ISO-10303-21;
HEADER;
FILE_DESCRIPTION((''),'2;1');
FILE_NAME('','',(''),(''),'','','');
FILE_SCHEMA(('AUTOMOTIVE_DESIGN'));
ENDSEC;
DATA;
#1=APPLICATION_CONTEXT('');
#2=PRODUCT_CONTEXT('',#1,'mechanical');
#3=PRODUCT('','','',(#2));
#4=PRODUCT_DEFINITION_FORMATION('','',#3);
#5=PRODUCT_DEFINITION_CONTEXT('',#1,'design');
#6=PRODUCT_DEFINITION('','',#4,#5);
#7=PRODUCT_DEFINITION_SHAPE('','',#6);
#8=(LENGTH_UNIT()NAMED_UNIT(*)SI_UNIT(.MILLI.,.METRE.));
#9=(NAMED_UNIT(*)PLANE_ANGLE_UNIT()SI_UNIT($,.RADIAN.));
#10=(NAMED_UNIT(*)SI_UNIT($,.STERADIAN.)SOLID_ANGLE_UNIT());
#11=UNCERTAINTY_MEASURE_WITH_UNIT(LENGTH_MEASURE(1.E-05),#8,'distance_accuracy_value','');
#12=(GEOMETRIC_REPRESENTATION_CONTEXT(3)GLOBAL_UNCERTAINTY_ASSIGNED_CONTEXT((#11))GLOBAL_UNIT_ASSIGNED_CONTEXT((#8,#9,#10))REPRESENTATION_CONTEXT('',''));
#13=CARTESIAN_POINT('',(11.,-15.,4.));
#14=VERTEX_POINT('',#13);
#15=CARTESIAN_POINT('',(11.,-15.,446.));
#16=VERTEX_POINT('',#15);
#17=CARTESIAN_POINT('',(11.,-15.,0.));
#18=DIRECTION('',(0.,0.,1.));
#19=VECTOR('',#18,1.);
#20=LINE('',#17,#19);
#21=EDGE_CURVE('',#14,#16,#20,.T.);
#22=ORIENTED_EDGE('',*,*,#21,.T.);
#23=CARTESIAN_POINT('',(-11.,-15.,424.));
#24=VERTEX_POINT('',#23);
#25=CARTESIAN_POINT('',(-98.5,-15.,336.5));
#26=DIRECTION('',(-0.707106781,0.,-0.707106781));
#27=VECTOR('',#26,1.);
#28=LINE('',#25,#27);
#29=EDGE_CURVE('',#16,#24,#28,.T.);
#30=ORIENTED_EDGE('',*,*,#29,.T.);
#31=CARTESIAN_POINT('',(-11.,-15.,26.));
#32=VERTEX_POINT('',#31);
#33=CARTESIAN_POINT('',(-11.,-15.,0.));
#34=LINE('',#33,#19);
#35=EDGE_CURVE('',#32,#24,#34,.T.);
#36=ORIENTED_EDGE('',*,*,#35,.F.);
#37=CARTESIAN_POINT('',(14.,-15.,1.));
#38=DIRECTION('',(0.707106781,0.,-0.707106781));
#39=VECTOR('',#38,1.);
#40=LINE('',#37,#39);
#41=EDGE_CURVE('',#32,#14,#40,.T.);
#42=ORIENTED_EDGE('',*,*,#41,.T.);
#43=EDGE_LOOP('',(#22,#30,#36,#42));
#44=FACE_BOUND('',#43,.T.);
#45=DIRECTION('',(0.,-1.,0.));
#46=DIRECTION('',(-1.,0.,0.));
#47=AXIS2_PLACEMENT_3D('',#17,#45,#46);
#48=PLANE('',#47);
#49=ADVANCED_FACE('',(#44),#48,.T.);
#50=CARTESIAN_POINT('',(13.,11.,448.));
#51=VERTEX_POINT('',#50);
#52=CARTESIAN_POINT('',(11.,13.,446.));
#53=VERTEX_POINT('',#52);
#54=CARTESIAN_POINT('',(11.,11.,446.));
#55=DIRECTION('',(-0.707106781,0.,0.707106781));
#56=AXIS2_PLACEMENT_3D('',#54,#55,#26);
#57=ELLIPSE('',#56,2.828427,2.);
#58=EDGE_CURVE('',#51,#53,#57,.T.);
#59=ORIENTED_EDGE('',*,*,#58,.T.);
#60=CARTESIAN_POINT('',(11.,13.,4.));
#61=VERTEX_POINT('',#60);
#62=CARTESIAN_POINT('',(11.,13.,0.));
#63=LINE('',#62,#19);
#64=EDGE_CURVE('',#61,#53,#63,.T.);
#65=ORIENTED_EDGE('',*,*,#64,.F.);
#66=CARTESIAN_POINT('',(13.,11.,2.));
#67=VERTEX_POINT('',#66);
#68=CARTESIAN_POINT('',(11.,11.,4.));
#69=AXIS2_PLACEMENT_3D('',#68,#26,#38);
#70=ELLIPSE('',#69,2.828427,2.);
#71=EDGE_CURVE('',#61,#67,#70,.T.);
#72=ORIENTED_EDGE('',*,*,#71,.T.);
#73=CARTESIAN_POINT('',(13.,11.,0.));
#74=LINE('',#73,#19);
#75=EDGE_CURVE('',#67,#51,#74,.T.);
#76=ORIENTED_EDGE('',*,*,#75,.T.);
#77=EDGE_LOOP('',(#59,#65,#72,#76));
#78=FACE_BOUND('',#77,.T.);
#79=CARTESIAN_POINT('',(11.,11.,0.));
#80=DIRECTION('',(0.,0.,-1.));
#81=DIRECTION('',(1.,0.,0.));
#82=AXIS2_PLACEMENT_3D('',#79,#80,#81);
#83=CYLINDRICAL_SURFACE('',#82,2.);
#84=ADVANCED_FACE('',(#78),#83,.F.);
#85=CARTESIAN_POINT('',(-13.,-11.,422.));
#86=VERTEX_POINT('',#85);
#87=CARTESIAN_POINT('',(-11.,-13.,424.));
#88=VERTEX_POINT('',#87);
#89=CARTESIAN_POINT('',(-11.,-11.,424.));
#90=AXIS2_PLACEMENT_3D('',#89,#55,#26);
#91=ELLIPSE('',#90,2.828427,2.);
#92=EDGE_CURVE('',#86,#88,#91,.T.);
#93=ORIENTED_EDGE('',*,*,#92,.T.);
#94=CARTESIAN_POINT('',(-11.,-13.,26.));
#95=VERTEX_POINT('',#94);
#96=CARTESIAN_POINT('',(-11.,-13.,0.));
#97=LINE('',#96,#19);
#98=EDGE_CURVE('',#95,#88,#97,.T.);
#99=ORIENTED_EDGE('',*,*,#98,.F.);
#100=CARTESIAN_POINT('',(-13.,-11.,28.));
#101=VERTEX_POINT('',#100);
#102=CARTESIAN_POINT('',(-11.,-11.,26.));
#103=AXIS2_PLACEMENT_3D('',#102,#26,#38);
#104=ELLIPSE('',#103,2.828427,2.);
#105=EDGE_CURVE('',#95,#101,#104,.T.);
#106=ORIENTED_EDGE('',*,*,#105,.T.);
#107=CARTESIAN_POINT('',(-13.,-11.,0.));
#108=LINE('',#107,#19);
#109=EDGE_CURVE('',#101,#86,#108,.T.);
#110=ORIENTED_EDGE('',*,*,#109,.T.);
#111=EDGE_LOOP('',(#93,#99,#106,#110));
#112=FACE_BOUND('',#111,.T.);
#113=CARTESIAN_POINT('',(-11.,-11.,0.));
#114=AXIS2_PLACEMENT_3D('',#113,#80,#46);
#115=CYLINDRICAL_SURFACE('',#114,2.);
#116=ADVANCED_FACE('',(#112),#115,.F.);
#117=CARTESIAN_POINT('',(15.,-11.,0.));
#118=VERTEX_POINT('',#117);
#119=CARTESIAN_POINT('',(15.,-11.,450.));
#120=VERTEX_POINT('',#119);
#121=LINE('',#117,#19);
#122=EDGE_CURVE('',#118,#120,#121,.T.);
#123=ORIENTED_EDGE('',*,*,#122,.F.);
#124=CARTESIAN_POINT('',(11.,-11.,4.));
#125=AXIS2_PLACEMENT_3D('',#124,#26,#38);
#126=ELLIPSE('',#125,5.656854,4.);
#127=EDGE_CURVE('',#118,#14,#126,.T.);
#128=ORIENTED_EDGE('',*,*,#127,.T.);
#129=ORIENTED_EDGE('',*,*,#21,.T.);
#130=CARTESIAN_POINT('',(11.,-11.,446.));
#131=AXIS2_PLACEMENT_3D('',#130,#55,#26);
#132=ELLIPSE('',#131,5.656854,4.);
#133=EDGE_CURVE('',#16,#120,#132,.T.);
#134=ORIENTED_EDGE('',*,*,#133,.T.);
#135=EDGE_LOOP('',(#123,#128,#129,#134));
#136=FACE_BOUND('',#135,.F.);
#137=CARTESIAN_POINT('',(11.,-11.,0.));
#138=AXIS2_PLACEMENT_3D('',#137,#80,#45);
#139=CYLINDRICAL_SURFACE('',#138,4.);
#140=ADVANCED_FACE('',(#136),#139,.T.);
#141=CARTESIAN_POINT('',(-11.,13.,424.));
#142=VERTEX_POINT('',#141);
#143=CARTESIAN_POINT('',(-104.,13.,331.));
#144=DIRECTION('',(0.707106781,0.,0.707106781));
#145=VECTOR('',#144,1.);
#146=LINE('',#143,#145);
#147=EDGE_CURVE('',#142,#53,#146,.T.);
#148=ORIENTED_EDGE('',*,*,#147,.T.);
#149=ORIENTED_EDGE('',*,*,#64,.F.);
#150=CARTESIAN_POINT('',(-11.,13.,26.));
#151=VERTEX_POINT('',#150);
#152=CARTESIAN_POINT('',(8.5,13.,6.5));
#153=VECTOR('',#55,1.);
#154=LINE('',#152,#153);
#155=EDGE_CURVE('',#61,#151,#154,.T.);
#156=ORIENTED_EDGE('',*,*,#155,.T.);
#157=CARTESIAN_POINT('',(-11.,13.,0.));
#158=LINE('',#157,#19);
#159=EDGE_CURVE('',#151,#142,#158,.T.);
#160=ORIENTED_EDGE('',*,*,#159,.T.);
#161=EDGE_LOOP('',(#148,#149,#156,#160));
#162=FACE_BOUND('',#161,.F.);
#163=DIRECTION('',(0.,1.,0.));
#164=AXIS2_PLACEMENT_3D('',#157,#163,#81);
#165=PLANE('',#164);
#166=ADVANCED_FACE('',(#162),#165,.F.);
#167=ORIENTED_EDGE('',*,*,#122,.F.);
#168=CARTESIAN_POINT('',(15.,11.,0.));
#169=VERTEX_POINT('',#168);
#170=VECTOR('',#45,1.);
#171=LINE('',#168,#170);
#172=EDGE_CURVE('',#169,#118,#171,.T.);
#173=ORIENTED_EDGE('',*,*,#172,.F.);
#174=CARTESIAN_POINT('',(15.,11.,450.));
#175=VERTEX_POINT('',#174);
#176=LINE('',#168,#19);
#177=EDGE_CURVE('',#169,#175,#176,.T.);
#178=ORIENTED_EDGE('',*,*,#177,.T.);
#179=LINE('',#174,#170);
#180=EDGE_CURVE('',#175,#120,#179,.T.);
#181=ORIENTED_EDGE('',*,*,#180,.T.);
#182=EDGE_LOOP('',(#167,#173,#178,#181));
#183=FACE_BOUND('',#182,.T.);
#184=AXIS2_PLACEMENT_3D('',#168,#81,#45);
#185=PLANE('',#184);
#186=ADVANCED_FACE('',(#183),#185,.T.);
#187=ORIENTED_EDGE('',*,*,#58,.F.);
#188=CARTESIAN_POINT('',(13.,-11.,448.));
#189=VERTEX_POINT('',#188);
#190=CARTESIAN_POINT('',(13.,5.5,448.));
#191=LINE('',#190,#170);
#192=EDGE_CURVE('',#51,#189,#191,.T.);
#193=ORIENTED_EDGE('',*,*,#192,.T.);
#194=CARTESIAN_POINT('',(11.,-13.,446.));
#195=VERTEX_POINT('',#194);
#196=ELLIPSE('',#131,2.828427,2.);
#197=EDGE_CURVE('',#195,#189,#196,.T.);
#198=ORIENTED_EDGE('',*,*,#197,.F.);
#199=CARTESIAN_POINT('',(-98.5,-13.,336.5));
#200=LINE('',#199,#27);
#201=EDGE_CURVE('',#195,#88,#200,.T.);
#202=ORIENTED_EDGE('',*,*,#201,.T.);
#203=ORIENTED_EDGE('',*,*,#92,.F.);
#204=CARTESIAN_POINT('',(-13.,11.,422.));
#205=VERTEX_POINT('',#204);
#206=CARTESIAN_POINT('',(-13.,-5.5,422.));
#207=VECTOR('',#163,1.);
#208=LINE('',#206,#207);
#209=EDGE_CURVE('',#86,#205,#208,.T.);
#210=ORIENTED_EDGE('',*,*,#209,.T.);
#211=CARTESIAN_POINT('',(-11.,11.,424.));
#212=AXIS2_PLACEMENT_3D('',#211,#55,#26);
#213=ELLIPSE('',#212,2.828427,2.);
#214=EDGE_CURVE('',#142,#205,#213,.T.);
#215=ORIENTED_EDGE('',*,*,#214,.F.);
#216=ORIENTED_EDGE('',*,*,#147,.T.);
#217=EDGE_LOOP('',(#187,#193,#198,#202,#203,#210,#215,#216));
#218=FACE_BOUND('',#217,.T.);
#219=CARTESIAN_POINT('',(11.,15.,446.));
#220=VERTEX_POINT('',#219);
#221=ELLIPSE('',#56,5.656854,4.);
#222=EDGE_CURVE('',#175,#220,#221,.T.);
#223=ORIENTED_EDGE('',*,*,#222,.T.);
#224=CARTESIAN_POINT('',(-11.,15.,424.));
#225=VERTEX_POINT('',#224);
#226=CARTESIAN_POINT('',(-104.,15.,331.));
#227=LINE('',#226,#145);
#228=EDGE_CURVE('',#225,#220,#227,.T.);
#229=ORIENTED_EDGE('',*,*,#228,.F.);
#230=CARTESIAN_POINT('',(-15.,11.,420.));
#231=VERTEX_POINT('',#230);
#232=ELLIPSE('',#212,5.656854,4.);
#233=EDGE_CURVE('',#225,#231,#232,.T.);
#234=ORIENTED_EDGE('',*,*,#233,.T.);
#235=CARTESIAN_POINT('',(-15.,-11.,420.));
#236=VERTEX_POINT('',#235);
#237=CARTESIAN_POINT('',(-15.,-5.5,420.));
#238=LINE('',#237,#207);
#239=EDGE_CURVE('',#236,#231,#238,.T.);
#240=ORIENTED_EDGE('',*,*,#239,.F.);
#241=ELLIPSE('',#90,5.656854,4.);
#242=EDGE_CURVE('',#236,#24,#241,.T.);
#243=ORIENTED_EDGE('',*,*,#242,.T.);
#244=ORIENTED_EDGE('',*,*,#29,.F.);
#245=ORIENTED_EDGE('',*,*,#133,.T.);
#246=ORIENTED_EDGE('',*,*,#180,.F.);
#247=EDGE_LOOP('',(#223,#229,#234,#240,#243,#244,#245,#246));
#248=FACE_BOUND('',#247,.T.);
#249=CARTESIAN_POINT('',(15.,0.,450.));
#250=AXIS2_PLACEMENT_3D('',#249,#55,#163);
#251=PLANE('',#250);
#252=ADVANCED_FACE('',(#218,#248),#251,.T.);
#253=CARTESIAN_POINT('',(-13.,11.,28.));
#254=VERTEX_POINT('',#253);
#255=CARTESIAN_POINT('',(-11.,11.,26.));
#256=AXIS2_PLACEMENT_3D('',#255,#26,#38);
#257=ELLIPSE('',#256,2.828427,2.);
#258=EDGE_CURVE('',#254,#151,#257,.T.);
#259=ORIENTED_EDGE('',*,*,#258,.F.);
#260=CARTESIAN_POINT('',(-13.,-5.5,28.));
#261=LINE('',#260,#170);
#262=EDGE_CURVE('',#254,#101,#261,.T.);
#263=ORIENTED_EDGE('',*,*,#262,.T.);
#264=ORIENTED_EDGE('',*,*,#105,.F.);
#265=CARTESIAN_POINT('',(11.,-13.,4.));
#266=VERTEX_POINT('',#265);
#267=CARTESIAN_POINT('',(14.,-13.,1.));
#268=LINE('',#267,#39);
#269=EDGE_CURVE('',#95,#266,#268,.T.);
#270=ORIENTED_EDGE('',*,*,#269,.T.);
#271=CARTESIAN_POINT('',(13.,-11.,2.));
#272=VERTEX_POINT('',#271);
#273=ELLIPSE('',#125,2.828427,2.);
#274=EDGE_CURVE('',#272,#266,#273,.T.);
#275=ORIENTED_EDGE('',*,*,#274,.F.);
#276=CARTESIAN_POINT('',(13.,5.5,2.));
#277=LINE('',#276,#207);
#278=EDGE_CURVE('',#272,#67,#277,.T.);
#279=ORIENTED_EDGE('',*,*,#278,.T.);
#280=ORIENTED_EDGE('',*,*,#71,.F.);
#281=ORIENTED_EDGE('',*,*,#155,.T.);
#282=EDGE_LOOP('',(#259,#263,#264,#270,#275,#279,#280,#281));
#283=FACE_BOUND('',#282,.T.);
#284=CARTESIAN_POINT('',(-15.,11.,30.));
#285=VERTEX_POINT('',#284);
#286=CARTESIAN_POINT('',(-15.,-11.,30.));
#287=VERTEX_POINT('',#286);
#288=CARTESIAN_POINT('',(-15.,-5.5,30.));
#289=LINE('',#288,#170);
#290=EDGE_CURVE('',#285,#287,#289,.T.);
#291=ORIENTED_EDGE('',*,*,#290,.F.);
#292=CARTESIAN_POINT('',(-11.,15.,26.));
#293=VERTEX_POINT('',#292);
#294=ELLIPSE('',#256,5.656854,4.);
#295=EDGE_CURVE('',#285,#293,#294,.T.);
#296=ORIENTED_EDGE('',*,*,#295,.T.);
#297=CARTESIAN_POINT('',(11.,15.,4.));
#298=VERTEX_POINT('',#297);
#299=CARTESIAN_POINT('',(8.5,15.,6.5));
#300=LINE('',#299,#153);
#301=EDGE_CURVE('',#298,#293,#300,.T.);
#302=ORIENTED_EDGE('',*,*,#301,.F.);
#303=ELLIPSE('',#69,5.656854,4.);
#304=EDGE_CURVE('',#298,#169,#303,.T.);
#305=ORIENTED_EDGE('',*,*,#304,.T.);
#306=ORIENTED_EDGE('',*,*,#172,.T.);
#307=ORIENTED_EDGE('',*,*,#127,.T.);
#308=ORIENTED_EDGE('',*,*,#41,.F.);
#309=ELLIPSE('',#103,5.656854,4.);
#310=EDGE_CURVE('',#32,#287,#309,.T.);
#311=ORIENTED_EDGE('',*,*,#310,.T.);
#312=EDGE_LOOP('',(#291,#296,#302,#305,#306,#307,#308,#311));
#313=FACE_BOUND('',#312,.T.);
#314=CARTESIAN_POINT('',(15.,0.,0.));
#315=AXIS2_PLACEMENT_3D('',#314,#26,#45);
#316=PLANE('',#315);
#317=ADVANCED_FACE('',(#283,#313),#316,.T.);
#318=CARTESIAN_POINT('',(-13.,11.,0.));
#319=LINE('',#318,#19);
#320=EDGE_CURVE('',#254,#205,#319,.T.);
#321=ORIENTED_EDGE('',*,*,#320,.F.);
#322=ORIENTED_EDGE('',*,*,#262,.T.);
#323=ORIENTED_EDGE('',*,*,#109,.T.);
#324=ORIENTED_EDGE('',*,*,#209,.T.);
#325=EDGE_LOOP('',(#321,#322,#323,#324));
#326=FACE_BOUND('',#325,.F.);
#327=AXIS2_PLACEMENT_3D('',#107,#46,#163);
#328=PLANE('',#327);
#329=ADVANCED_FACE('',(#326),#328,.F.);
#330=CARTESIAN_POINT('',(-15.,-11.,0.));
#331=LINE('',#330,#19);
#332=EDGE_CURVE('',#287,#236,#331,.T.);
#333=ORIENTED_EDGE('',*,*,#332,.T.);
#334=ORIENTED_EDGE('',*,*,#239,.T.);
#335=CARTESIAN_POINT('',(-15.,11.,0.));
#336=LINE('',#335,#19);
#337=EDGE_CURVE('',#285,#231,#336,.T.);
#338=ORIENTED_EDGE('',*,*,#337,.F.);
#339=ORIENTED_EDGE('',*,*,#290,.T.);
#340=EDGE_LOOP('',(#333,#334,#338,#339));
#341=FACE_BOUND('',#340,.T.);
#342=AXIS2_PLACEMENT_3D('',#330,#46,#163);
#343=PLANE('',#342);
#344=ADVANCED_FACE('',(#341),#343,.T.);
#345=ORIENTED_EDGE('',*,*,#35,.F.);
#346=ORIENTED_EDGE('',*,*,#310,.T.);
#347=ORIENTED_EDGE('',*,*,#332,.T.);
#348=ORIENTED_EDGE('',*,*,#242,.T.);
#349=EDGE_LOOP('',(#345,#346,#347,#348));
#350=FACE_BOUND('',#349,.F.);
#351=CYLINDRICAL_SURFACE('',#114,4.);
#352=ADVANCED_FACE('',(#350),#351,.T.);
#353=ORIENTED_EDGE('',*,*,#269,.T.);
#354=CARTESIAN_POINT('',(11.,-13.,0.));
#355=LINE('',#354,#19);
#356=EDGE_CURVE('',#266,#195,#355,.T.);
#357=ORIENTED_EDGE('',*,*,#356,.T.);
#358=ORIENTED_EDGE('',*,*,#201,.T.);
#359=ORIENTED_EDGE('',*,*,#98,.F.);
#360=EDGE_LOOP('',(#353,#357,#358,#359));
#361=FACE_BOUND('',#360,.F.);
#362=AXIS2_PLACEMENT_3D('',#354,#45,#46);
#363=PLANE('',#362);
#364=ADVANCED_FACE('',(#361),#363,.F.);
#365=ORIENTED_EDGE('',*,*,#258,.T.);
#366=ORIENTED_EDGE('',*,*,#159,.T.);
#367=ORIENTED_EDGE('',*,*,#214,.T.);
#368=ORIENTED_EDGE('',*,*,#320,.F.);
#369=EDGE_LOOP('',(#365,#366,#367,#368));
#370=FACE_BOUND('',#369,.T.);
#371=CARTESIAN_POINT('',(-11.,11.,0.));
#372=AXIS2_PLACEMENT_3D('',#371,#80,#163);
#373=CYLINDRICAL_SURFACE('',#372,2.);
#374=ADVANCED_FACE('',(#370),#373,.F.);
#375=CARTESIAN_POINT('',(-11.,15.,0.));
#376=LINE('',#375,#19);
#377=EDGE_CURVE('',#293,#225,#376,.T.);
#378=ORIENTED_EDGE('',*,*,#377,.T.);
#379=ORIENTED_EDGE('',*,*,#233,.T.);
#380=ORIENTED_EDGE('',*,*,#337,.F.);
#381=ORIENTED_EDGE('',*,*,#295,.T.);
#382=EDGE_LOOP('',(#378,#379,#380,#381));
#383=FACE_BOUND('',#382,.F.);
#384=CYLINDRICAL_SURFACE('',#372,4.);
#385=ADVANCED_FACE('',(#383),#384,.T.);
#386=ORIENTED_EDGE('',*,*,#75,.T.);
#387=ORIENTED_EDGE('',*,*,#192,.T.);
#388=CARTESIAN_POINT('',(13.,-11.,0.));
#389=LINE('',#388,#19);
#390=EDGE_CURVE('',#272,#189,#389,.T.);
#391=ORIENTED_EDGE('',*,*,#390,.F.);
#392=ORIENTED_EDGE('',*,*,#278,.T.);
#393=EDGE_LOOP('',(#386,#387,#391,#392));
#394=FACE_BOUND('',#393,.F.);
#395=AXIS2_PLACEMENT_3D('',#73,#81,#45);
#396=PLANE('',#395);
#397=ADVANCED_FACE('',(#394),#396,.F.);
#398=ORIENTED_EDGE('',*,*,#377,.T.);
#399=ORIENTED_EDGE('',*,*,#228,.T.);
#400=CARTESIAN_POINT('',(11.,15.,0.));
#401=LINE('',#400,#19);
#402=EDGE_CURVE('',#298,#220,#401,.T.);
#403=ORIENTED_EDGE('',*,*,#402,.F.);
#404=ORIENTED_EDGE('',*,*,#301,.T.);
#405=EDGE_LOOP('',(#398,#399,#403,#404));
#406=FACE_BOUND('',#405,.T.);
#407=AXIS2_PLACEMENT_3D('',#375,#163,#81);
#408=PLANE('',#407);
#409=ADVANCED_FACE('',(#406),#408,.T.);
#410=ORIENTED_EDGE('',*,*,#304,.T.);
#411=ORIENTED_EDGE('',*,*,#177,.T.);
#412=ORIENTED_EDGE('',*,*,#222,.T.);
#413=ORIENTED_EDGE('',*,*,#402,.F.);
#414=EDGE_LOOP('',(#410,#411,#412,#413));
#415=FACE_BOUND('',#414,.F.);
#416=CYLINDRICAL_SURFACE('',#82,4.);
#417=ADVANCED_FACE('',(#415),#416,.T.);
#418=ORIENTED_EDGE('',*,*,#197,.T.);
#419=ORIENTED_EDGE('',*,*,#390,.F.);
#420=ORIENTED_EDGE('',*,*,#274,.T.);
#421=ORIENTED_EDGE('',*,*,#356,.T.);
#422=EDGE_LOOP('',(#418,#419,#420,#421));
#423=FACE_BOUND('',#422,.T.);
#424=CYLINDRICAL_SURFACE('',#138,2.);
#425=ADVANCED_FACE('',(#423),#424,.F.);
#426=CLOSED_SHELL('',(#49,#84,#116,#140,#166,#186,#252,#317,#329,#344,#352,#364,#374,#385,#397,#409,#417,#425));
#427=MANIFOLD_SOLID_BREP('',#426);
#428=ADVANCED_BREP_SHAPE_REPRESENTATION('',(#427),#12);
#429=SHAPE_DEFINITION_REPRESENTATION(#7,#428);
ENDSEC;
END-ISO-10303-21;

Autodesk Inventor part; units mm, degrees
ref_plane "Plano inicial" through (0, 0, 0) normal (0, 0, 1) x (1, 0, 0)
ref_plane "Plano final" through (0, 0, 450) normal (0, 0, 1) x (1, 0, 0)
sketch "Esboço" plane through (0, 0, 0) normal (0, 0, 1) x (1, 0, 0)
  line L0 (-15, -11) -> (-15, 11)
  line L1 (-11, 15) -> (11, 15)
  line L2 (15, 11) -> (15, -11)
  line L3 (11, -15) -> (-11, -15)
  arc A0 (-15, -11) -> (-11, -15) centre (-11, -11) ccw
  arc A1 (15, 11) -> (11, 15) centre (11, 11) ccw
  arc A2 (-11, 15) -> (-15, 11) centre (-11, 11) ccw
  arc A3 (11, -15) -> (15, -11) centre (11, -11) ccw
  arc A4 (-11, 13) -> (-13, 11) centre (-11, 11) ccw
  line L4 (-11, 13) -> (11, 13)
  arc A5 (13, 11) -> (11, 13) centre (11, 11) ccw
  line L5 (13, 11) -> (13, -11)
  arc A6 (11, -13) -> (13, -11) centre (11, -11) ccw
  line L6 (11, -13) -> (-11, -13)
  arc A7 (-13, -11) -> (-11, -13) centre (-11, -11) ccw
  line L7 (-13, -11) -> (-13, 11)
  line L8 (0, 22.1598) -> (0, -22.1598) construction
  line L9 (-22.1598, 0) -> (22.1598, 0) construction
  dimension "d7" = 4
  dimension "d9" = 30
  dimension "d11" = 30
  dimension "d12" = 2
  dimension "d15" = 15
  dimension "d16" = 15
extrude "Corpo" add sketch "Esboço" along normal up to surface (450 mm away) from surface at 0
sketch "Sketch3" plane through (0, 0, 0) normal (0, 0, 1) x (1, 0, 0)
  line L0 (0, 0) -> (10, 0)
ref_plane "Work Plane3" through (0, 0, 0) normal (0, -1, 0) x (1, 0, 0)
sketch "Sketch4" plane through (0, 0, 0) normal (0, -1, 0) x (1, 0, 0)
  line L0 (-2, 0) -> (12, 0)
  line L1 (-2, 450) -> (12, 450)
  dimension "d18" = 450
ref_plane "Plano de trabalho7" through (0, 15, 0) normal (0, 0, -1) x (-1, 0, 0)
split "Dividir4" plane through (0, 15, 0) removes the side toward (0, 0, -1)
ref_plane "Plano de trabalho8" through (15, 0, 450) normal (-0.7071, 0, 0.7071) x (0.7071, 0, 0.7071)
split "Dividir5" plane through (15, 0, 450) removes the side toward (-0.7071, 0, 0.7071)
ref_plane "Plano de trabalho9" through (15, 0, 0) normal (-0.7071, 0, -0.7071) x (-0.7071, 0, 0.7071)
split "Dividir6" plane through (15, 0, 0) removes the side toward (-0.7071, 0, -0.7071)
equation "\"d7\" = G_IR"
equation "\"d9\" = G_W"
equation "\"d11\" = G_H"
equation "\"d12\" = G_T"
equation "\"d15\" = 0.5 * d9"
equation "\"d16\" = 0.5 * d11"
equation "\"d3\" = G_L"
equation "\"G_W\" = 30"
equation "\"G_H\" = 30"
equation "\"G_T\" = 2"
equation "\"G_IR\" = 4"
equation "\"G_L\" = d18"
equation "\"G_OFFSET_START\" = 0"
equation "\"G_OFFSET_END\" = 0"
properties part number "ISO 10799-2 - 30x30x2 - 450" material "Aço, suave"
